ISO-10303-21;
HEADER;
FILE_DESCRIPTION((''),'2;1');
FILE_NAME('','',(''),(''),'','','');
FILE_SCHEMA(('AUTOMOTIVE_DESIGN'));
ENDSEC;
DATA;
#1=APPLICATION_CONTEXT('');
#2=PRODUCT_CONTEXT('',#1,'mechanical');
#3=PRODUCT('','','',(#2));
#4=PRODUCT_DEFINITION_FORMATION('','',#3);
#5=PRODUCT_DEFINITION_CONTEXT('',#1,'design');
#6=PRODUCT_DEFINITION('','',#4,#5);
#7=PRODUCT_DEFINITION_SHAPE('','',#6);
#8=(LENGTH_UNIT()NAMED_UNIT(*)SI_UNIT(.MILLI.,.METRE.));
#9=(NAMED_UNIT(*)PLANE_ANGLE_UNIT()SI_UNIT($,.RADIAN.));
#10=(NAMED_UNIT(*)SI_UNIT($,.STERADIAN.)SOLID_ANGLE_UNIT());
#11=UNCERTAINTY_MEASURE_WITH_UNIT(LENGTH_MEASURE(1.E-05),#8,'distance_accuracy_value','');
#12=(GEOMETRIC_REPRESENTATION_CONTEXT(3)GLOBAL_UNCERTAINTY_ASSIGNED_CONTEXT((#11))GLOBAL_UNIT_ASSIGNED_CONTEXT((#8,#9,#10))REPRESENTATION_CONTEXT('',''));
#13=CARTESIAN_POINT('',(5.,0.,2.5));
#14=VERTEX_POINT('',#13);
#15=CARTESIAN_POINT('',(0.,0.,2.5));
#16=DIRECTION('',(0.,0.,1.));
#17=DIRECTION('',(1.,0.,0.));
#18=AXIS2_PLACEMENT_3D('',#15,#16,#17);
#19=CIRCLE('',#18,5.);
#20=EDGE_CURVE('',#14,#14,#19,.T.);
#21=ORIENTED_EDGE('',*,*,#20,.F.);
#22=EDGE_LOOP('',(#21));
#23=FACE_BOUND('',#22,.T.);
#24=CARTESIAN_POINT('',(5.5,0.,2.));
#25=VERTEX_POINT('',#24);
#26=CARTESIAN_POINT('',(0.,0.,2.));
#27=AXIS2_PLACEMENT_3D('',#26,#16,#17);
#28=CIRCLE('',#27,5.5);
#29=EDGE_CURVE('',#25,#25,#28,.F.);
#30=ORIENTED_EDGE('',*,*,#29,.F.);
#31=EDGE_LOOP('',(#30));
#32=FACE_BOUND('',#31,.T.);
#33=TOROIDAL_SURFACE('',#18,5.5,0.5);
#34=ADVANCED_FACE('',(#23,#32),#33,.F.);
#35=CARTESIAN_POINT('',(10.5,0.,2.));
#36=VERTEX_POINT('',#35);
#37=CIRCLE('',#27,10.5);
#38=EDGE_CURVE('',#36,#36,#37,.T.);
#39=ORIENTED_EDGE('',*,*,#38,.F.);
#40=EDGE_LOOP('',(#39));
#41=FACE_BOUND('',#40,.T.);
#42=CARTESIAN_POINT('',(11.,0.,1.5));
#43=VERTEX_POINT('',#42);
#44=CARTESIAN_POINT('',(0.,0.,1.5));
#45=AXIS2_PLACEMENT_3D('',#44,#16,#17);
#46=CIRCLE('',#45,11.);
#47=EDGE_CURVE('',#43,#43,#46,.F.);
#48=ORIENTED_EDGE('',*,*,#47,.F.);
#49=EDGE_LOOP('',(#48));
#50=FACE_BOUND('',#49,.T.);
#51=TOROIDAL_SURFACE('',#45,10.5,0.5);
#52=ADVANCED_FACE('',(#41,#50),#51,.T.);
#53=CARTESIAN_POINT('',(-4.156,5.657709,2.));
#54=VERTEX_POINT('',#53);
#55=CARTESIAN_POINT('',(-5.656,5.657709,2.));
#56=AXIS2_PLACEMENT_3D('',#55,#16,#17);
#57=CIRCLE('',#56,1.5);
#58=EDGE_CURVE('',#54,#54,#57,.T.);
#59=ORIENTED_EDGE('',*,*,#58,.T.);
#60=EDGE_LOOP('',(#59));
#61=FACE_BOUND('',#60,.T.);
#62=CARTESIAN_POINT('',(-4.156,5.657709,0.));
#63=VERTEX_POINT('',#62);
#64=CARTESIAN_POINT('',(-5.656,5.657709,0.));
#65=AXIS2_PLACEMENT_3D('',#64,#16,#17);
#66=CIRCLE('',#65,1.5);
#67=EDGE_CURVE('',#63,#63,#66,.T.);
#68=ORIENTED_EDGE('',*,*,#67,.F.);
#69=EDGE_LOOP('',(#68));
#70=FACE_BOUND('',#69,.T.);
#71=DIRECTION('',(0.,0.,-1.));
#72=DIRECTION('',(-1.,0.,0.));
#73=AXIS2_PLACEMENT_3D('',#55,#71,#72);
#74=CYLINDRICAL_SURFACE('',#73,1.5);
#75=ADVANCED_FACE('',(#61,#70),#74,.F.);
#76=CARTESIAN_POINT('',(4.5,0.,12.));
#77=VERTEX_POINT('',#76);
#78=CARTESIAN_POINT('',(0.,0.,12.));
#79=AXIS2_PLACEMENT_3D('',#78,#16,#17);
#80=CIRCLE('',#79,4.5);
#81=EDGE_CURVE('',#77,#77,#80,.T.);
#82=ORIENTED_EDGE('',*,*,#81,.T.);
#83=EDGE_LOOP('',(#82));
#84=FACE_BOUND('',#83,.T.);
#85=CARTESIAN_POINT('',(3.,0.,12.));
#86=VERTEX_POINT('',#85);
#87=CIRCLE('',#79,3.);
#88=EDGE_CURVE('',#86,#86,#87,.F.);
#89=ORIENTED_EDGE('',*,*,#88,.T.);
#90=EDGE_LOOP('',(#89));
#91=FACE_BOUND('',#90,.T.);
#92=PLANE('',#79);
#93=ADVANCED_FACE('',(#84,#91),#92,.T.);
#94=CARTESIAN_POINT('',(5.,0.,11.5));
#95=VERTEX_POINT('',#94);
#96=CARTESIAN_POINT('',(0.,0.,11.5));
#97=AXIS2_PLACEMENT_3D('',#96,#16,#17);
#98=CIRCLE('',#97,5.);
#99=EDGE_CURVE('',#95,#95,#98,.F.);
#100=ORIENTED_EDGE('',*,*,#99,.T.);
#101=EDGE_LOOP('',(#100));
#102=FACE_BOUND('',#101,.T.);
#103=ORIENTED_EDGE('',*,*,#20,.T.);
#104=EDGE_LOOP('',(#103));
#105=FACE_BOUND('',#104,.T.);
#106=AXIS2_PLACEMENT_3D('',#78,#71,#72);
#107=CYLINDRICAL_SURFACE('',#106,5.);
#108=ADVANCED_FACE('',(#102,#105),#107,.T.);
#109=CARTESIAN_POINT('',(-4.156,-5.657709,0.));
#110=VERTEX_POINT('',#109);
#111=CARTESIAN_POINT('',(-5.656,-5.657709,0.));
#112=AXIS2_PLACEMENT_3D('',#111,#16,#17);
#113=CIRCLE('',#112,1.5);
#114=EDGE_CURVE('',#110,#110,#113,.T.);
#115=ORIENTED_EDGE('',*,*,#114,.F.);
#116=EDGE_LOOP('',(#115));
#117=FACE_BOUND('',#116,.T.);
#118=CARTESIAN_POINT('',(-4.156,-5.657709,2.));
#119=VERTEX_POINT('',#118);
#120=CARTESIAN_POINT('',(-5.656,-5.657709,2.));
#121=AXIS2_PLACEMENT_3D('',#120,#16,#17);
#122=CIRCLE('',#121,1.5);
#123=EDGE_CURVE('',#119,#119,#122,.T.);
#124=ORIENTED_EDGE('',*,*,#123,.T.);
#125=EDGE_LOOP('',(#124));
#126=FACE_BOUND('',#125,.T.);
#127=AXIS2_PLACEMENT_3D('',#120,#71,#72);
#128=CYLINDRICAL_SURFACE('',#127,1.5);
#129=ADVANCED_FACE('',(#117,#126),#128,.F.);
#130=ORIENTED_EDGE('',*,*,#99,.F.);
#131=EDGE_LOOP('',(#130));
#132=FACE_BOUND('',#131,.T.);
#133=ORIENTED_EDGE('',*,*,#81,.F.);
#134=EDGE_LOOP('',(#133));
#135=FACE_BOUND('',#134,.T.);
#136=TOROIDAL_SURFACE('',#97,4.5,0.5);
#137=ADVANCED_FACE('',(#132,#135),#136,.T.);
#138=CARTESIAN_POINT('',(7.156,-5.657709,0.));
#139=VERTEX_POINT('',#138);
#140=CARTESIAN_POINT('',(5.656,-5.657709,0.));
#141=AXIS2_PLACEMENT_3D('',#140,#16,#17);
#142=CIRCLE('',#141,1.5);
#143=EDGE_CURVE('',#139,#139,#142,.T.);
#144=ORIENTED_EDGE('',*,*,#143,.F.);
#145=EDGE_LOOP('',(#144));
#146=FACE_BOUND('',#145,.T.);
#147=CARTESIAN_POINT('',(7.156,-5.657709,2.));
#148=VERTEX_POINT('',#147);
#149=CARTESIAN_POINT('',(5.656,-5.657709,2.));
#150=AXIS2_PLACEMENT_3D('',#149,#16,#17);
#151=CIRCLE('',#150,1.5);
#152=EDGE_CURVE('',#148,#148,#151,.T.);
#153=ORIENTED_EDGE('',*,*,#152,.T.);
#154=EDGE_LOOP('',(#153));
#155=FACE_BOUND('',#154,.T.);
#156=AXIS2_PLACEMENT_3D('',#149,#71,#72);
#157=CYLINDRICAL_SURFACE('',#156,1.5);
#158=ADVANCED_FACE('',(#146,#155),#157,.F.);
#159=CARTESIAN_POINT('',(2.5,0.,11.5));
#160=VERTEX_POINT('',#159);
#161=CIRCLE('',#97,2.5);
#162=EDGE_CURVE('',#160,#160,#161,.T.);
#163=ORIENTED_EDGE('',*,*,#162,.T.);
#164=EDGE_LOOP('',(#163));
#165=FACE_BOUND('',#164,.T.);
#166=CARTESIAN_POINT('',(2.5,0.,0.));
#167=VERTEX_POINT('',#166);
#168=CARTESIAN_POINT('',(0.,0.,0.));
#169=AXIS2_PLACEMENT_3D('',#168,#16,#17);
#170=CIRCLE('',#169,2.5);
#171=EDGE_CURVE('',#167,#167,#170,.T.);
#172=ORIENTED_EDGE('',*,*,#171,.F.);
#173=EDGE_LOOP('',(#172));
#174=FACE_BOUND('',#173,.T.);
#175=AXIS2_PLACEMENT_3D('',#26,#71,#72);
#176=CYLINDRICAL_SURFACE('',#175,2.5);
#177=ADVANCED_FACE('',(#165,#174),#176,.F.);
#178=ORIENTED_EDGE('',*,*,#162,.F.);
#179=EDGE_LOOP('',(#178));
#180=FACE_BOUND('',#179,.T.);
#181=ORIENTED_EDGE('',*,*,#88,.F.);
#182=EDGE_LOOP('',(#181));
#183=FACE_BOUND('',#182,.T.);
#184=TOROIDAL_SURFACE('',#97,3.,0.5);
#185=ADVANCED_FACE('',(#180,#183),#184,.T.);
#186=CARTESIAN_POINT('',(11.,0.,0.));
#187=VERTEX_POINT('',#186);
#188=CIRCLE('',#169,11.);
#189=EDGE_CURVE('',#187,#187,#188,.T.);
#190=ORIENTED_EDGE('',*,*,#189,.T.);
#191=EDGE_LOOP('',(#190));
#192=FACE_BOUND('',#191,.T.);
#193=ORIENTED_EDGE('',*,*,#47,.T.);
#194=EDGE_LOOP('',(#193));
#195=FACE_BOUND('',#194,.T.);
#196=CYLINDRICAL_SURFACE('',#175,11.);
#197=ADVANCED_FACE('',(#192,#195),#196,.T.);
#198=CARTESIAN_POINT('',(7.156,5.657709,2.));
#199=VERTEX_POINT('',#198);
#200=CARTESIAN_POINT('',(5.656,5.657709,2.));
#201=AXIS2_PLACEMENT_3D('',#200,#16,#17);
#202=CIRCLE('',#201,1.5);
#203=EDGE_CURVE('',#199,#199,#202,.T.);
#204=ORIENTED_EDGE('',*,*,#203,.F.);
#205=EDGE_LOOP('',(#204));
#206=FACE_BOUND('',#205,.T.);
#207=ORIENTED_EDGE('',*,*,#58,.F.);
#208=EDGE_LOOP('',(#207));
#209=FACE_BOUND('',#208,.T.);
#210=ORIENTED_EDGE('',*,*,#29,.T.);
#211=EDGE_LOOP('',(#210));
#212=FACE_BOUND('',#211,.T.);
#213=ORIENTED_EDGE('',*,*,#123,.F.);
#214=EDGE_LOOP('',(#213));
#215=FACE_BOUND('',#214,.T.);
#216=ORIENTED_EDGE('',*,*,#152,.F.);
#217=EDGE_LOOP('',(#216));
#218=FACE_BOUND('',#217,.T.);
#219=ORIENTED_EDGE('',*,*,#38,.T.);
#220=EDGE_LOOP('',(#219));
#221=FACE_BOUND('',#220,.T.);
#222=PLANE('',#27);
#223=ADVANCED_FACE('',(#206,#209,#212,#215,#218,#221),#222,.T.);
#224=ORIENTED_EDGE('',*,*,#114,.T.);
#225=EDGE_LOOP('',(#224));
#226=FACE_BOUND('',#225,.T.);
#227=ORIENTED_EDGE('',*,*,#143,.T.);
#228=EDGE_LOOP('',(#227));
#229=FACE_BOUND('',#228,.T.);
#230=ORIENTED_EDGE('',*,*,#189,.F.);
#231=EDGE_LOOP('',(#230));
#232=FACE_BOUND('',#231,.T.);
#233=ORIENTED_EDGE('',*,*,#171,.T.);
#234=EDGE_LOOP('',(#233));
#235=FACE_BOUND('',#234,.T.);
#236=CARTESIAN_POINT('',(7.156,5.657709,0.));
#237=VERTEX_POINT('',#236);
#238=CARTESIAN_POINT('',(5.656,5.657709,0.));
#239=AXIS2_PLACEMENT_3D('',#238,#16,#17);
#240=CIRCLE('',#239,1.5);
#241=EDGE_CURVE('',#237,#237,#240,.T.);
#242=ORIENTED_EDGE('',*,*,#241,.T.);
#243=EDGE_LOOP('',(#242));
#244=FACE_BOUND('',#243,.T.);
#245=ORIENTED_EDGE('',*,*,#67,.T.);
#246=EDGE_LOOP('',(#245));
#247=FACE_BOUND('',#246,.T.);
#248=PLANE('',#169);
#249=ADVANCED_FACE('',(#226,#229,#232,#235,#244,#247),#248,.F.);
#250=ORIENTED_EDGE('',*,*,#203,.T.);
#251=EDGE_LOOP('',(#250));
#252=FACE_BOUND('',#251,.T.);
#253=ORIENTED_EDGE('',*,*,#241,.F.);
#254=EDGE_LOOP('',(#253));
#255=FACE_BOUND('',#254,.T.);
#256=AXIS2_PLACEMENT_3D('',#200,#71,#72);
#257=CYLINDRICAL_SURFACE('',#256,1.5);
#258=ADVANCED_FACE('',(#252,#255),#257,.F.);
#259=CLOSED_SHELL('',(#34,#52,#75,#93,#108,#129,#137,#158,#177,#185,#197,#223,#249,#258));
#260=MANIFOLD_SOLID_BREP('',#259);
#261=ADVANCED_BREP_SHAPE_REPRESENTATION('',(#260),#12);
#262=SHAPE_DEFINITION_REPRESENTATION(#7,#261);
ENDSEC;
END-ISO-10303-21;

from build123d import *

# Parameters (mm, degrees)
SKETCH1_R           = 11
SKETCH1_R_2         = 2.5
SKETCH1_R_3         = 1.5
BOSS_EXTRUDE1_DEPTH = 2
SKETCH2_R           = 5
SKETCH2_R_2         = 2.5
BOSS_EXTRUDE2_DEPTH = 10
FILLET1_R           = 0.5


with BuildPart() as part:
    # Sketch1 → Boss-Extrude1 (new body)
    with BuildSketch(Plane.XY):
        Circle(SKETCH1_R)
        Circle(SKETCH1_R_2, mode=Mode.SUBTRACT)
        with Locations((-5.655999742, 5.657708628)):
            Circle(SKETCH1_R_3, mode=Mode.SUBTRACT)
        with Locations((5.655999742, 5.657708628)):
            Circle(SKETCH1_R_3, mode=Mode.SUBTRACT)
        with Locations((5.655999742, -5.657708628)):
            Circle(SKETCH1_R_3, mode=Mode.SUBTRACT)
        with Locations((-5.655999742, -5.657708628)):
            Circle(SKETCH1_R_3, mode=Mode.SUBTRACT)
    extrude(amount=BOSS_EXTRUDE1_DEPTH)

    # Sketch2 → Boss-Extrude2 (add)
    with BuildSketch(Plane.XY.offset(2)):
        Circle(SKETCH2_R)
        Circle(SKETCH2_R_2, mode=Mode.SUBTRACT)
    extrude(amount=BOSS_EXTRUDE2_DEPTH)

    # Fillet1
    fillet1_edges = [part.edges().sort_by_distance(p)[0] for p in [
        (-5, 0, 12),
        (-5, 0, 2),
        (-2.5, 0, 12),
        (-11, 0, 2),
    ]]
    fillet(fillet1_edges, radius=FILLET1_R)


solid = part.part
